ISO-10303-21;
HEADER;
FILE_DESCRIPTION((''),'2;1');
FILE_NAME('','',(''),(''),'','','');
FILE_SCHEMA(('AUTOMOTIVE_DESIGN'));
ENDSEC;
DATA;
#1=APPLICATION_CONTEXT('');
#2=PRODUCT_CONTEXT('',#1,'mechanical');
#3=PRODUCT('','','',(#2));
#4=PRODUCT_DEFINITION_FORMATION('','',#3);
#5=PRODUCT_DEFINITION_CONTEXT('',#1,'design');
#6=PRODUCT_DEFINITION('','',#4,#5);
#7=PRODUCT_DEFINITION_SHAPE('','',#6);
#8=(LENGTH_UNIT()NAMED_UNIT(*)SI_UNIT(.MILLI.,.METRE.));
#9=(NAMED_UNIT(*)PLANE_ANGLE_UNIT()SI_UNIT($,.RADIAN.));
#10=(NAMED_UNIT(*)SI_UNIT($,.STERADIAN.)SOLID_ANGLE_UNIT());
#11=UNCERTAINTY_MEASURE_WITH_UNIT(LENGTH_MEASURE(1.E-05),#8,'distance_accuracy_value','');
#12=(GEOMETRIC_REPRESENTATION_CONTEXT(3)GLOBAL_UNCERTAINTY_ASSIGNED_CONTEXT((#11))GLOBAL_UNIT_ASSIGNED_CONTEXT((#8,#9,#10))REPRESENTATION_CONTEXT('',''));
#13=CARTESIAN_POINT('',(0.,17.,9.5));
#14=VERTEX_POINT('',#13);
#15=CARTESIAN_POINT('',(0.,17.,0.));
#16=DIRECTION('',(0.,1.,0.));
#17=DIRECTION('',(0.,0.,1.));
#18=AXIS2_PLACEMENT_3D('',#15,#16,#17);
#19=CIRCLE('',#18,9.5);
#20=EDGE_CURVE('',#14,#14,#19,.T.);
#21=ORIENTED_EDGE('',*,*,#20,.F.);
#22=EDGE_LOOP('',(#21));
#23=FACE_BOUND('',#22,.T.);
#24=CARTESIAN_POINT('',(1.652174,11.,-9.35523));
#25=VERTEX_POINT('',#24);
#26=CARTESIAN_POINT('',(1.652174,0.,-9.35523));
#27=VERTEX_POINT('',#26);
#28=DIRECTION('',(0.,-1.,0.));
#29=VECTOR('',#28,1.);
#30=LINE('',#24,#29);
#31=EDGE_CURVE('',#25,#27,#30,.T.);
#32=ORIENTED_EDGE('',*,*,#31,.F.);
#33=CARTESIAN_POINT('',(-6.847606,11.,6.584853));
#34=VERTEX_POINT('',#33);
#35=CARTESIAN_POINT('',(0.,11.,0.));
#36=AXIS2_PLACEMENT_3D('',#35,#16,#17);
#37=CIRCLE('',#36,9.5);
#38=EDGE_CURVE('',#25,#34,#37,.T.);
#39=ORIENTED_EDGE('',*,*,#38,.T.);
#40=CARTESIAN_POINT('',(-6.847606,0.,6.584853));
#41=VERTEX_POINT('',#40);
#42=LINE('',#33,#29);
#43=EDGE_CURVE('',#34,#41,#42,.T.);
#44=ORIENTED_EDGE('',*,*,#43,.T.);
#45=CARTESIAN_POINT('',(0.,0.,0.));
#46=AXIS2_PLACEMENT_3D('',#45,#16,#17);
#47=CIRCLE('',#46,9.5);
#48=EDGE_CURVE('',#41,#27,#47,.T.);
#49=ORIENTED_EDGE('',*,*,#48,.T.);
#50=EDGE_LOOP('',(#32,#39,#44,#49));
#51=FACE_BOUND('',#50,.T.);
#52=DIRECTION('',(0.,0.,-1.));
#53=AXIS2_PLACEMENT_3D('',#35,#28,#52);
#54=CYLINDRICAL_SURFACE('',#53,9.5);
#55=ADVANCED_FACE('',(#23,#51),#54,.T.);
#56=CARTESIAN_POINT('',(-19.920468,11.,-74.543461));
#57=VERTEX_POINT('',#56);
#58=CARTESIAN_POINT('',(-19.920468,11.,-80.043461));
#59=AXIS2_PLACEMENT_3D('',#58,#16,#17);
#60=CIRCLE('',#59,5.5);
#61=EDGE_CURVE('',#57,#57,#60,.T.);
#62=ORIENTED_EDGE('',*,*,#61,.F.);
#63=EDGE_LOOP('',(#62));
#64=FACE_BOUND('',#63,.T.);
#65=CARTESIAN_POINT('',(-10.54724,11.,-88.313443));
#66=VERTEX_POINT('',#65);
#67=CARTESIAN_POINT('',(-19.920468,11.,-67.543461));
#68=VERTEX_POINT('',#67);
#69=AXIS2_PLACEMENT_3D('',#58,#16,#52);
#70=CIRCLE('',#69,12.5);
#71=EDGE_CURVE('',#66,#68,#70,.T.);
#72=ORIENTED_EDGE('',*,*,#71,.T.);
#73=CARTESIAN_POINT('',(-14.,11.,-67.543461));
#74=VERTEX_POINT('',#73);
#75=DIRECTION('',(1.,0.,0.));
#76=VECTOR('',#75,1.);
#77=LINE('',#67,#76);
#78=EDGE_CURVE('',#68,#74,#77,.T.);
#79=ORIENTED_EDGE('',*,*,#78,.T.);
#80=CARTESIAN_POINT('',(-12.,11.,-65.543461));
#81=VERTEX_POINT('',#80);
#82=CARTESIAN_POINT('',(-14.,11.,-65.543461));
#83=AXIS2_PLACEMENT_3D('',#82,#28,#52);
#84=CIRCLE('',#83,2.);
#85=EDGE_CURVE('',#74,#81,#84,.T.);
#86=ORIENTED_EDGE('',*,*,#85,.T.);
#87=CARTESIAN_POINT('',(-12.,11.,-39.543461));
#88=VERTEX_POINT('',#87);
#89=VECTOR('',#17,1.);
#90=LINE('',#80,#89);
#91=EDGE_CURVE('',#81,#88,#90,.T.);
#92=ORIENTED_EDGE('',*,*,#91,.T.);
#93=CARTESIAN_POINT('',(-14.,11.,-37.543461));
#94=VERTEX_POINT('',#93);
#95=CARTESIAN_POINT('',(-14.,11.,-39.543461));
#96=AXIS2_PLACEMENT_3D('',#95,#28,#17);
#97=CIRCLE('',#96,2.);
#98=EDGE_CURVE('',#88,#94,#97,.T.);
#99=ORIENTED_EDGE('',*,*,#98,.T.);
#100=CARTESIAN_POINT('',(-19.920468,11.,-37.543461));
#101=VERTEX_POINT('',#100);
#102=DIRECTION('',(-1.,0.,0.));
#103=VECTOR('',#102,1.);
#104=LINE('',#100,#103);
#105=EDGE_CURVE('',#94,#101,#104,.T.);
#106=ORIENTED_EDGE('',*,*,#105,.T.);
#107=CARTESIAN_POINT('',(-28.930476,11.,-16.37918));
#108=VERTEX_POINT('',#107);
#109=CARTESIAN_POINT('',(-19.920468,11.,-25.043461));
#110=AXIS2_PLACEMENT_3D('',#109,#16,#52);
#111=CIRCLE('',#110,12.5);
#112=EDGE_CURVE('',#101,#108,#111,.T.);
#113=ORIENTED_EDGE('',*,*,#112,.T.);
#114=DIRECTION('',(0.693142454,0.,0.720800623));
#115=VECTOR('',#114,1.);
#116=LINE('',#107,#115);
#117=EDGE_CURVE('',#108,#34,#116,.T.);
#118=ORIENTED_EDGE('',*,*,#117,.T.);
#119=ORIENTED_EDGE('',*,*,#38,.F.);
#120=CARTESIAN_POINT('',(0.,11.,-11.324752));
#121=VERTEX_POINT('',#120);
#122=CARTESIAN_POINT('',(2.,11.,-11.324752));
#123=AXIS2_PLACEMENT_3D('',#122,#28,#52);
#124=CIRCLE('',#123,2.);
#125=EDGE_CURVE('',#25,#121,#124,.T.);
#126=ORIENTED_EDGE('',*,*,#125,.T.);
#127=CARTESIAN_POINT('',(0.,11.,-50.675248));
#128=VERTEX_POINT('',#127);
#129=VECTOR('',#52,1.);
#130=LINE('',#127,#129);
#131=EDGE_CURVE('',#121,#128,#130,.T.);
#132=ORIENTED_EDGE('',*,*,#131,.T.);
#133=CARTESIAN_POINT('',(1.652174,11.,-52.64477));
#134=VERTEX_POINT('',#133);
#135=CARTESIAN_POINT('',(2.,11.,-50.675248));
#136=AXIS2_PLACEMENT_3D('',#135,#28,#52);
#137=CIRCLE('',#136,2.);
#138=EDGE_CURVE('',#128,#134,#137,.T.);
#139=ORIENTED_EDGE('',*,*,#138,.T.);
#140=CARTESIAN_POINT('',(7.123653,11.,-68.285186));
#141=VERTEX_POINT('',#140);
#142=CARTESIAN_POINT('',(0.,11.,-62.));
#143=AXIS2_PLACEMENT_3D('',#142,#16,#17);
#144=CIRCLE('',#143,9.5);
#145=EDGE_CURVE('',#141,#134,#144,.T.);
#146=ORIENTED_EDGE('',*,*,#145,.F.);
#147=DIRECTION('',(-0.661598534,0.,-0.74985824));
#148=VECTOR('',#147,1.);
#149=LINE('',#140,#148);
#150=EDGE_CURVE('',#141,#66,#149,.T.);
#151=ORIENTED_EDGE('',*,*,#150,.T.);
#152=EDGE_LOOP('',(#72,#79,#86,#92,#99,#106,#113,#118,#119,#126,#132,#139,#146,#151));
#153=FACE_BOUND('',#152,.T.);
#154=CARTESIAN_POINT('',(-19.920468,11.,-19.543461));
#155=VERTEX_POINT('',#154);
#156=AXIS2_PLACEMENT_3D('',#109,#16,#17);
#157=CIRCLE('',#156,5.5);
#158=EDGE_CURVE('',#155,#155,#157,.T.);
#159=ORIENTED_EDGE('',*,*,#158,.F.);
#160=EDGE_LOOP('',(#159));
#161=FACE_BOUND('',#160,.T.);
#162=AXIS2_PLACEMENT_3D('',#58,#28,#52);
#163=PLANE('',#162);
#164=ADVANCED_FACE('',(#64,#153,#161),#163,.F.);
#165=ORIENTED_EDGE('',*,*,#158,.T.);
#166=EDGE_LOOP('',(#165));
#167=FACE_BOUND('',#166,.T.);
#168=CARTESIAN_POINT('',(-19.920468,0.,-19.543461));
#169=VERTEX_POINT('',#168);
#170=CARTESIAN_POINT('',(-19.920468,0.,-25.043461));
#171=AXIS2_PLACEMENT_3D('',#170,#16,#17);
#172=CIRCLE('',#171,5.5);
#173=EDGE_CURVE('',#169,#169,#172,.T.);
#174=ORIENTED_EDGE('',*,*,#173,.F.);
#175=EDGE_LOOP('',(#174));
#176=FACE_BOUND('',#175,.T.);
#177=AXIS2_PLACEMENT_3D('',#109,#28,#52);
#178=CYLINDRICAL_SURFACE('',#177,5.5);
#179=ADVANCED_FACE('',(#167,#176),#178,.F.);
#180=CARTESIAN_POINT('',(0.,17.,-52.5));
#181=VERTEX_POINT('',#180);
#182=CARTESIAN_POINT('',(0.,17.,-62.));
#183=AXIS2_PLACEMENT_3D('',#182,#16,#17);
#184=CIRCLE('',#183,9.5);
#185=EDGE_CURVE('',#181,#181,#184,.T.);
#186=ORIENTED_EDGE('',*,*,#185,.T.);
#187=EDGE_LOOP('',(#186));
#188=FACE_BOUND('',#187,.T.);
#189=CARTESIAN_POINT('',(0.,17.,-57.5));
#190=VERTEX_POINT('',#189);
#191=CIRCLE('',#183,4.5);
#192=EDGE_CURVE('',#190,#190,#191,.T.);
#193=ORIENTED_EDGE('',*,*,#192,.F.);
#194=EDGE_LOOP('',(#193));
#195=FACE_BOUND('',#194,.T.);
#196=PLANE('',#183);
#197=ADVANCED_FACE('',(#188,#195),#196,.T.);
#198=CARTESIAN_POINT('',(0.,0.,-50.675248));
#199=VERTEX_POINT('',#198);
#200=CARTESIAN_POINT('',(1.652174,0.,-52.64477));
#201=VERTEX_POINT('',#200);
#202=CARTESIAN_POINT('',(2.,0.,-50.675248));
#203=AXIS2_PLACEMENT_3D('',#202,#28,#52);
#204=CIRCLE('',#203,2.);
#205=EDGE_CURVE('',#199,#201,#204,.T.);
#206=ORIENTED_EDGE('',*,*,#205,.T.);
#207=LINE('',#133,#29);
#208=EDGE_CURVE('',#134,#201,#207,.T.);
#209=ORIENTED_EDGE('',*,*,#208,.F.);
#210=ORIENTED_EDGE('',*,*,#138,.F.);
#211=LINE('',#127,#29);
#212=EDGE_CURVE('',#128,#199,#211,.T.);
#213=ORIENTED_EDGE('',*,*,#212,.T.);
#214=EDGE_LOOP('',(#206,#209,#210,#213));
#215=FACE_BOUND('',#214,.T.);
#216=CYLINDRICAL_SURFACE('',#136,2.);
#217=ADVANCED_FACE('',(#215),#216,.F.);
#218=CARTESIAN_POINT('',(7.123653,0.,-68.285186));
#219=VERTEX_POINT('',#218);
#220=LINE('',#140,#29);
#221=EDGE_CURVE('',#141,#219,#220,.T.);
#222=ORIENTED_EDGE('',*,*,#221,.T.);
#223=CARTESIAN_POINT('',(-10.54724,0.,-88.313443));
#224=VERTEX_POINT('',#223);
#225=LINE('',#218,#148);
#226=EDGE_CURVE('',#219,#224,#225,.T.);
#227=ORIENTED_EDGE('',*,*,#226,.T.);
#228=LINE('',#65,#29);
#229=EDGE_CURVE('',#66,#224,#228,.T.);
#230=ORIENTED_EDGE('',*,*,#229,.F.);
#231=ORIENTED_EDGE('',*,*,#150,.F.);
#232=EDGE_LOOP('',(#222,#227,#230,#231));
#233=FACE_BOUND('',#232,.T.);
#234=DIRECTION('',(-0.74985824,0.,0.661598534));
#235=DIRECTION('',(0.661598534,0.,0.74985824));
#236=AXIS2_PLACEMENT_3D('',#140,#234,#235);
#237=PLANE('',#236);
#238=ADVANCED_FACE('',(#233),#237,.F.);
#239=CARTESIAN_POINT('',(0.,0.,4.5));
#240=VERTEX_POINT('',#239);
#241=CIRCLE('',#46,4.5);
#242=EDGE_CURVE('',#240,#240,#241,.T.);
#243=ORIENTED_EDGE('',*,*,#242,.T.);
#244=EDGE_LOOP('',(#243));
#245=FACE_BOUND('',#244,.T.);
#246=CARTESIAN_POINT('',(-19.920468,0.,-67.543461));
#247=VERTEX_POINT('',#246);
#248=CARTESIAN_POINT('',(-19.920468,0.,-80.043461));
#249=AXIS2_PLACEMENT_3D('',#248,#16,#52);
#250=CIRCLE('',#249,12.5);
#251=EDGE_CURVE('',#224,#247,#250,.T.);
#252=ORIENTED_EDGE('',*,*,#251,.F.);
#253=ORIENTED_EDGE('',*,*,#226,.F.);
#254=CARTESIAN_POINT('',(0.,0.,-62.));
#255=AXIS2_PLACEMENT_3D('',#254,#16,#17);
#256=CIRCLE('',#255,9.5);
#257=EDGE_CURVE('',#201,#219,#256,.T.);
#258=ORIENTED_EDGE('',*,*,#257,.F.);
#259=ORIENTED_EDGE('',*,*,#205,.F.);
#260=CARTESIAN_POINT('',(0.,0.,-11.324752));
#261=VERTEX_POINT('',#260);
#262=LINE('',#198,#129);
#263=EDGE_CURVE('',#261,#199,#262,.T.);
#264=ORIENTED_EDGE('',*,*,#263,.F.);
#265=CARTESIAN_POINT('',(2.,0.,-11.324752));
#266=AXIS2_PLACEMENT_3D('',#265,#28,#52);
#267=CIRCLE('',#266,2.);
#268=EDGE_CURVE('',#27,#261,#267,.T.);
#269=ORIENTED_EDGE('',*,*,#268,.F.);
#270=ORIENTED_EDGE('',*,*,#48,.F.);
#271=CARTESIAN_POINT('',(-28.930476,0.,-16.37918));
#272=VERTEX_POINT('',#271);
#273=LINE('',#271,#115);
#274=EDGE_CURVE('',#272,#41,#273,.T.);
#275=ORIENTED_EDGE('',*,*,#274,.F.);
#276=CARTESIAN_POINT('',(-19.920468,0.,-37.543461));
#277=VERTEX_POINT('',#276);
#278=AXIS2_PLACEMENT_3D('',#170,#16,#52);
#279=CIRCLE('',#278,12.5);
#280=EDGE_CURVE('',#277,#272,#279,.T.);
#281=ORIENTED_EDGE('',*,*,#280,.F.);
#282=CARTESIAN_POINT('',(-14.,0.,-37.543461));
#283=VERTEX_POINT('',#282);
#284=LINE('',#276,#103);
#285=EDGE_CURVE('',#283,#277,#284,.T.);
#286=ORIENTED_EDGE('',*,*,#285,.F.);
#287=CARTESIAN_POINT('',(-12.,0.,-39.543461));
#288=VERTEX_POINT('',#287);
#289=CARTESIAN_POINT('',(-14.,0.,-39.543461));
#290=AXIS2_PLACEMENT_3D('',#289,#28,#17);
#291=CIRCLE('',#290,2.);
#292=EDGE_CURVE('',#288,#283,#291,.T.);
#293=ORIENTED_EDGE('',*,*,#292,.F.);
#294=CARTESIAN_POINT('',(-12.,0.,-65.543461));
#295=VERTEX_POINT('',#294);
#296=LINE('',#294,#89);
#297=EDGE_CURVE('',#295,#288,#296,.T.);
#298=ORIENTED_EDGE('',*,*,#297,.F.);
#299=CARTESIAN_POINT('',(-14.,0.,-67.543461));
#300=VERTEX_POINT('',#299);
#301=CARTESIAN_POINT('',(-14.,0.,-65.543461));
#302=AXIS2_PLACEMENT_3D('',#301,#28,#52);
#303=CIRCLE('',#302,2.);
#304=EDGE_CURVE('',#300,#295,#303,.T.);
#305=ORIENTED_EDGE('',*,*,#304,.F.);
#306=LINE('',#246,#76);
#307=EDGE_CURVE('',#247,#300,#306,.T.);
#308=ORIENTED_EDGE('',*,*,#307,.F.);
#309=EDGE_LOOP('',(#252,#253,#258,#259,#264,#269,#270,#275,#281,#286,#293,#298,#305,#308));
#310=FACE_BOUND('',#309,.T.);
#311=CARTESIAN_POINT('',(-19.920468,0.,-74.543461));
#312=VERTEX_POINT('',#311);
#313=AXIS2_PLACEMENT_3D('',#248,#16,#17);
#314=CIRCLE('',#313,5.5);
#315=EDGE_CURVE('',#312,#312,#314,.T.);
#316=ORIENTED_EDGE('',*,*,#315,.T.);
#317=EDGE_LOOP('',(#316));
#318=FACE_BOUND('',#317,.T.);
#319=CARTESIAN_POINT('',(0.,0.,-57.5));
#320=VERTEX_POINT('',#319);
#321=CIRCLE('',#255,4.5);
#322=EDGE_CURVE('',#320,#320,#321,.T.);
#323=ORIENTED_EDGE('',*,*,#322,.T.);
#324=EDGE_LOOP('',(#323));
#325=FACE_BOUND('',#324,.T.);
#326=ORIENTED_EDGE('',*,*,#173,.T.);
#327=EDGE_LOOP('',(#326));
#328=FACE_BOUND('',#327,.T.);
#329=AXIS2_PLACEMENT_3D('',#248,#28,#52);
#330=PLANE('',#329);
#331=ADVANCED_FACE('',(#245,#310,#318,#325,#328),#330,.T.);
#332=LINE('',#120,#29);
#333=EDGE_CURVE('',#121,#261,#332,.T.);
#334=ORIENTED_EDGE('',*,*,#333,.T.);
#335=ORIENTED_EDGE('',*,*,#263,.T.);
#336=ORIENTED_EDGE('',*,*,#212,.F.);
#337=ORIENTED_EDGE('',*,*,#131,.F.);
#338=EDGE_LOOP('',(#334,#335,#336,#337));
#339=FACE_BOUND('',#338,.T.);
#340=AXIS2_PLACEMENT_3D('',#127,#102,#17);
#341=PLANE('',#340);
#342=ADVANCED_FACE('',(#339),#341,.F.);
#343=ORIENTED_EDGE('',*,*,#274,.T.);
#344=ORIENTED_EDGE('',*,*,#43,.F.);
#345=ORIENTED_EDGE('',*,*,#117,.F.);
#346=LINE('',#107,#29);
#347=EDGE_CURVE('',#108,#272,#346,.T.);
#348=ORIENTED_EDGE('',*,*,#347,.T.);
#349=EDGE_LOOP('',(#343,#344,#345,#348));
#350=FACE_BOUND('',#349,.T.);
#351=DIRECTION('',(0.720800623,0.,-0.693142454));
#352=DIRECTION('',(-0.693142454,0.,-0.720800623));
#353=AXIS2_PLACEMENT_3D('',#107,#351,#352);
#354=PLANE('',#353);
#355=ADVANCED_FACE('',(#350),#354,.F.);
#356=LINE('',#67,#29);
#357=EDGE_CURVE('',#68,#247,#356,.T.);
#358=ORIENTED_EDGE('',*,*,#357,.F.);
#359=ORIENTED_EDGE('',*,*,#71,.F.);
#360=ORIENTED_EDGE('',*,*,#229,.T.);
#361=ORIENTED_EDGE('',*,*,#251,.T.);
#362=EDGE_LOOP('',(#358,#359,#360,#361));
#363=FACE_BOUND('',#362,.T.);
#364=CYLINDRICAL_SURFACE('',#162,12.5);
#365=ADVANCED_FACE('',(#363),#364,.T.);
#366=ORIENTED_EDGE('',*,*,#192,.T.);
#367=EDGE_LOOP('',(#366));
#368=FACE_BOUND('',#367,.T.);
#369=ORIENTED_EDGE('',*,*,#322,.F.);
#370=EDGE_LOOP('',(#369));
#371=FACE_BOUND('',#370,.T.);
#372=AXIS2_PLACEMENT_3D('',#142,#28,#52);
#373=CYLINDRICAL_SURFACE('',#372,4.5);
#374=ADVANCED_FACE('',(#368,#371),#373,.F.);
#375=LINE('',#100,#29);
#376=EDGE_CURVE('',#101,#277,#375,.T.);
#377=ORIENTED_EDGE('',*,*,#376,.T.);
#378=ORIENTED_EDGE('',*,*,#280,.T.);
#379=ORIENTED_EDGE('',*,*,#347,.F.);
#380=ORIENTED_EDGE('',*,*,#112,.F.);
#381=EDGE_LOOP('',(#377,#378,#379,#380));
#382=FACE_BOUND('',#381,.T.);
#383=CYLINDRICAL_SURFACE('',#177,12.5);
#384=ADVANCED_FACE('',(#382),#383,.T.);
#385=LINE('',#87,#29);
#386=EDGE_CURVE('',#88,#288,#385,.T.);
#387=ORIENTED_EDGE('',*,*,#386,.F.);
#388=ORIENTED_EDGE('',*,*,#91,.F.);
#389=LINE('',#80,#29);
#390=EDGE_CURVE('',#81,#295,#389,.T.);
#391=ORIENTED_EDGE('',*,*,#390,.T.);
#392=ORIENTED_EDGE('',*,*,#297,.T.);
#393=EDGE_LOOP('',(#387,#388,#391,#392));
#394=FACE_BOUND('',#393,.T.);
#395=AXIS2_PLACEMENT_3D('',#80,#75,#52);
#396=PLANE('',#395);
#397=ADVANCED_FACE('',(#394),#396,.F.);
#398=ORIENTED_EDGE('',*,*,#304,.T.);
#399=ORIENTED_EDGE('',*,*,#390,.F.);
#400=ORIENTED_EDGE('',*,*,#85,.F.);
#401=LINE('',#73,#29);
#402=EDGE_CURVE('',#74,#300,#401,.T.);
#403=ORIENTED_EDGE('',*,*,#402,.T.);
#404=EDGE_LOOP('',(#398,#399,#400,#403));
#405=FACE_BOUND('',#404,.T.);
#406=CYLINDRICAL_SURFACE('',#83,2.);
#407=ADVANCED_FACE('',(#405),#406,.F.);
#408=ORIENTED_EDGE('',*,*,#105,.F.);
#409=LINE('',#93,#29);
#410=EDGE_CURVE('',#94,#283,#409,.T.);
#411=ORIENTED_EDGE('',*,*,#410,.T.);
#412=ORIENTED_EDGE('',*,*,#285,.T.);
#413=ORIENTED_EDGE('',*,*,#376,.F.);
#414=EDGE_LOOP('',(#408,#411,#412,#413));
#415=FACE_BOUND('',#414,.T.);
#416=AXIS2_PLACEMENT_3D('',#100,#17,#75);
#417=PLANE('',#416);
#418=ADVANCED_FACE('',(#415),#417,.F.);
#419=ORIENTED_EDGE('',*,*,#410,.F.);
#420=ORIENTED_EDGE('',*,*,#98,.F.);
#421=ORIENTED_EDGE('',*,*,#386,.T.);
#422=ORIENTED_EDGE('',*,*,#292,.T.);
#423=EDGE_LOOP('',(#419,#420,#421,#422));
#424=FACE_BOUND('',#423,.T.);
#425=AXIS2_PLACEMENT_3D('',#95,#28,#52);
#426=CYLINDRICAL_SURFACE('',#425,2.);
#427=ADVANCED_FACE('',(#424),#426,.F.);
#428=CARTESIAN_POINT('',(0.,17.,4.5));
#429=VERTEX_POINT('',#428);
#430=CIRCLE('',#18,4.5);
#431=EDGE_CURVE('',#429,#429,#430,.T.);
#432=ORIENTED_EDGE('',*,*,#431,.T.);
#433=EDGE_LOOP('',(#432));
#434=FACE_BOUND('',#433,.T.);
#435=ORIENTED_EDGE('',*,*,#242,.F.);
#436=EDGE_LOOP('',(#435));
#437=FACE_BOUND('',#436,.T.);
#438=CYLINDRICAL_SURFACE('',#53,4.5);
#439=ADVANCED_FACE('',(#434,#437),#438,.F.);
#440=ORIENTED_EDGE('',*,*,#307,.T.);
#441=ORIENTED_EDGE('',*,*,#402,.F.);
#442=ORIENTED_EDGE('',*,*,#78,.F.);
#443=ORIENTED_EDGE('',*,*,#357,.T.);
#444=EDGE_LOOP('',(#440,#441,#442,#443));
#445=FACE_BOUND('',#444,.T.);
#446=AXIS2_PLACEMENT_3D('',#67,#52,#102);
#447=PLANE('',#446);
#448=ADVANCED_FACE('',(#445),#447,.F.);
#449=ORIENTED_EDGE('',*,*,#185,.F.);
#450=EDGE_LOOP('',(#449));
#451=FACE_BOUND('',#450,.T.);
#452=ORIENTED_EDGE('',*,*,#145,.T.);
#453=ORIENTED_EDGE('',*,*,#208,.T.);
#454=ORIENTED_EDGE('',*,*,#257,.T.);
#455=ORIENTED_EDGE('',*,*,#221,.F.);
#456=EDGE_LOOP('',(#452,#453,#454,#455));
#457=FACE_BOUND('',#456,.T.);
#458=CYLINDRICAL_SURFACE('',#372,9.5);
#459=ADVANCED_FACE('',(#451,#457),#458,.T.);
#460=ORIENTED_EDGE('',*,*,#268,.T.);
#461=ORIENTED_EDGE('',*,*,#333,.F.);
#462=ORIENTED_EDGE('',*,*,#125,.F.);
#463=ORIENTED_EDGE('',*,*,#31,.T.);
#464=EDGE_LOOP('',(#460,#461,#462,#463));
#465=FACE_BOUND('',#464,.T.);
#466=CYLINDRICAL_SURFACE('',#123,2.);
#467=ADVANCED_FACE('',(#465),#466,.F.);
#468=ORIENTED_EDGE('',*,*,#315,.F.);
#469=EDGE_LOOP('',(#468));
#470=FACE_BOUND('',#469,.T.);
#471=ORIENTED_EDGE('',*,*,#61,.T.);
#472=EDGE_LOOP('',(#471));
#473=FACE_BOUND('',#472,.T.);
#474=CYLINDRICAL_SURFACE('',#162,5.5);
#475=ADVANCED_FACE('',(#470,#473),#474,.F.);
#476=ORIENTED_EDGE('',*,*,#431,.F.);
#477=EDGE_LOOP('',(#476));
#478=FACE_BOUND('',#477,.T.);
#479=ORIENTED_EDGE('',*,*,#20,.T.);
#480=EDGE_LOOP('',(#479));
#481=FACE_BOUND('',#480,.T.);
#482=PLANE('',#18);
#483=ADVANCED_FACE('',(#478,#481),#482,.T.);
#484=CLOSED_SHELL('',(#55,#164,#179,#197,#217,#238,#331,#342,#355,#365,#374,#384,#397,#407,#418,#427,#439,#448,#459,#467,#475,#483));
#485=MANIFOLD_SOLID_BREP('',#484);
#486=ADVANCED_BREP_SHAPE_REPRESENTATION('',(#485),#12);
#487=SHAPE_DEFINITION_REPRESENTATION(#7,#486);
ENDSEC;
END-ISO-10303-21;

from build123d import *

# Parameters (mm, degrees)
ESQUISSE1_R        = 4.5
ESQUISSE1_R_2      = 5.5
BOSS_EXTRU_1_DEPTH = 11
ESQUISSE3_R        = 9.5
ESQUISSE3_R_2      = 4.5
BOSS_EXTRU_3_DEPTH = 6


with BuildPart() as part:
    # Esquisse1 → Boss.-Extru.1 (new body)
    with BuildSketch(Plane(origin=(0, 0, 0), x_dir=(1, 0, 0), z_dir=(0, 1, 0))):
        with BuildLine():
            Line((-28.930476165, 16.379180347), (-6.847605923, -6.584853311))
            ThreePointArc((-6.847605923, -6.584853311), (8.382701799, -4.469934065), (1.652173913, 9.355229626))
            ThreePointArc((1.652173913, 9.355229626), (0.467738245, 10.039382479), (0, 11.324751653))
            Line((0, 11.324751653), (0, 50.675248347))
            ThreePointArc((0, 50.675248347), (0.467738245, 51.960617521), (1.652173913, 52.644770374))
            ThreePointArc((1.652173913, 52.644770374), (8.967130897, 58.863032758), (7.12365328, 68.285186071))
            Line((7.12365328, 68.285186071), (-10.547240372, 88.313442691))
            ThreePointArc((-10.547240372, 88.313442691), (-31.313992211, 85.185213109), (-19.920468372, 67.543461019))
            Line((-19.920468372, 67.543461019), (-14, 67.543461019))
            ThreePointArc((-14, 67.543461019), (-12.585786438, 66.957674582), (-12, 65.543461019))
            Line((-12, 65.543461019), (-12, 39.543461019))
            ThreePointArc((-12, 39.543461019), (-12.585786438, 38.129247457), (-14, 37.543461019))
            Line((-14, 37.543461019), (-19.920468372, 37.543461019))
            ThreePointArc((-19.920468372, 37.543461019), (-31.42163154, 29.939709154), (-28.930476165, 16.379180347))
        make_face()
        with Locations(Location((0, 0, 0), (0, 0, 270))):  # turned: the seam where the file's is
            Circle(ESQUISSE1_R, mode=Mode.SUBTRACT)
        with Locations(Location((-19.920468372, 25.043461019, 0), (0, 0, 270))):  # turned: the seam where the file's is
            Circle(ESQUISSE1_R_2, mode=Mode.SUBTRACT)
        with Locations(Location((0, 62, 0), (0, 0, 270))):  # turned: the seam where the file's is
            Circle(ESQUISSE1_R, mode=Mode.SUBTRACT)
        with Locations(Location((-19.920468372, 80.043461019, 0), (0, 0, 270))):  # turned: the seam where the file's is
            Circle(ESQUISSE1_R_2, mode=Mode.SUBTRACT)
    extrude(amount=BOSS_EXTRU_1_DEPTH)

    # Esquisse3 → Boss.-Extru.3 (add)
    with BuildSketch(Plane(origin=(0, 11, 0), x_dir=(1, 0, 0), z_dir=(0, 1, 0))):
        with Locations(Location((0, 0, 0), (0, 0, 79.984589832))):  # turned: the seam where the file's is
            Circle(ESQUISSE3_R)
        with Locations(Location((0, 0, 0), (0, 0, 270))):  # turned: the seam where the file's is
            Circle(ESQUISSE3_R_2, mode=Mode.SUBTRACT)
        with Locations(Location((0, 62, 0), (0, 0, 41.421900303))):  # turned: the seam where the file's is
            Circle(ESQUISSE3_R)
        with Locations(Location((0, 62, 0), (0, 0, 270))):  # turned: the seam where the file's is
            Circle(ESQUISSE3_R_2, mode=Mode.SUBTRACT)
    extrude(amount=BOSS_EXTRU_3_DEPTH)


solid = part.part
